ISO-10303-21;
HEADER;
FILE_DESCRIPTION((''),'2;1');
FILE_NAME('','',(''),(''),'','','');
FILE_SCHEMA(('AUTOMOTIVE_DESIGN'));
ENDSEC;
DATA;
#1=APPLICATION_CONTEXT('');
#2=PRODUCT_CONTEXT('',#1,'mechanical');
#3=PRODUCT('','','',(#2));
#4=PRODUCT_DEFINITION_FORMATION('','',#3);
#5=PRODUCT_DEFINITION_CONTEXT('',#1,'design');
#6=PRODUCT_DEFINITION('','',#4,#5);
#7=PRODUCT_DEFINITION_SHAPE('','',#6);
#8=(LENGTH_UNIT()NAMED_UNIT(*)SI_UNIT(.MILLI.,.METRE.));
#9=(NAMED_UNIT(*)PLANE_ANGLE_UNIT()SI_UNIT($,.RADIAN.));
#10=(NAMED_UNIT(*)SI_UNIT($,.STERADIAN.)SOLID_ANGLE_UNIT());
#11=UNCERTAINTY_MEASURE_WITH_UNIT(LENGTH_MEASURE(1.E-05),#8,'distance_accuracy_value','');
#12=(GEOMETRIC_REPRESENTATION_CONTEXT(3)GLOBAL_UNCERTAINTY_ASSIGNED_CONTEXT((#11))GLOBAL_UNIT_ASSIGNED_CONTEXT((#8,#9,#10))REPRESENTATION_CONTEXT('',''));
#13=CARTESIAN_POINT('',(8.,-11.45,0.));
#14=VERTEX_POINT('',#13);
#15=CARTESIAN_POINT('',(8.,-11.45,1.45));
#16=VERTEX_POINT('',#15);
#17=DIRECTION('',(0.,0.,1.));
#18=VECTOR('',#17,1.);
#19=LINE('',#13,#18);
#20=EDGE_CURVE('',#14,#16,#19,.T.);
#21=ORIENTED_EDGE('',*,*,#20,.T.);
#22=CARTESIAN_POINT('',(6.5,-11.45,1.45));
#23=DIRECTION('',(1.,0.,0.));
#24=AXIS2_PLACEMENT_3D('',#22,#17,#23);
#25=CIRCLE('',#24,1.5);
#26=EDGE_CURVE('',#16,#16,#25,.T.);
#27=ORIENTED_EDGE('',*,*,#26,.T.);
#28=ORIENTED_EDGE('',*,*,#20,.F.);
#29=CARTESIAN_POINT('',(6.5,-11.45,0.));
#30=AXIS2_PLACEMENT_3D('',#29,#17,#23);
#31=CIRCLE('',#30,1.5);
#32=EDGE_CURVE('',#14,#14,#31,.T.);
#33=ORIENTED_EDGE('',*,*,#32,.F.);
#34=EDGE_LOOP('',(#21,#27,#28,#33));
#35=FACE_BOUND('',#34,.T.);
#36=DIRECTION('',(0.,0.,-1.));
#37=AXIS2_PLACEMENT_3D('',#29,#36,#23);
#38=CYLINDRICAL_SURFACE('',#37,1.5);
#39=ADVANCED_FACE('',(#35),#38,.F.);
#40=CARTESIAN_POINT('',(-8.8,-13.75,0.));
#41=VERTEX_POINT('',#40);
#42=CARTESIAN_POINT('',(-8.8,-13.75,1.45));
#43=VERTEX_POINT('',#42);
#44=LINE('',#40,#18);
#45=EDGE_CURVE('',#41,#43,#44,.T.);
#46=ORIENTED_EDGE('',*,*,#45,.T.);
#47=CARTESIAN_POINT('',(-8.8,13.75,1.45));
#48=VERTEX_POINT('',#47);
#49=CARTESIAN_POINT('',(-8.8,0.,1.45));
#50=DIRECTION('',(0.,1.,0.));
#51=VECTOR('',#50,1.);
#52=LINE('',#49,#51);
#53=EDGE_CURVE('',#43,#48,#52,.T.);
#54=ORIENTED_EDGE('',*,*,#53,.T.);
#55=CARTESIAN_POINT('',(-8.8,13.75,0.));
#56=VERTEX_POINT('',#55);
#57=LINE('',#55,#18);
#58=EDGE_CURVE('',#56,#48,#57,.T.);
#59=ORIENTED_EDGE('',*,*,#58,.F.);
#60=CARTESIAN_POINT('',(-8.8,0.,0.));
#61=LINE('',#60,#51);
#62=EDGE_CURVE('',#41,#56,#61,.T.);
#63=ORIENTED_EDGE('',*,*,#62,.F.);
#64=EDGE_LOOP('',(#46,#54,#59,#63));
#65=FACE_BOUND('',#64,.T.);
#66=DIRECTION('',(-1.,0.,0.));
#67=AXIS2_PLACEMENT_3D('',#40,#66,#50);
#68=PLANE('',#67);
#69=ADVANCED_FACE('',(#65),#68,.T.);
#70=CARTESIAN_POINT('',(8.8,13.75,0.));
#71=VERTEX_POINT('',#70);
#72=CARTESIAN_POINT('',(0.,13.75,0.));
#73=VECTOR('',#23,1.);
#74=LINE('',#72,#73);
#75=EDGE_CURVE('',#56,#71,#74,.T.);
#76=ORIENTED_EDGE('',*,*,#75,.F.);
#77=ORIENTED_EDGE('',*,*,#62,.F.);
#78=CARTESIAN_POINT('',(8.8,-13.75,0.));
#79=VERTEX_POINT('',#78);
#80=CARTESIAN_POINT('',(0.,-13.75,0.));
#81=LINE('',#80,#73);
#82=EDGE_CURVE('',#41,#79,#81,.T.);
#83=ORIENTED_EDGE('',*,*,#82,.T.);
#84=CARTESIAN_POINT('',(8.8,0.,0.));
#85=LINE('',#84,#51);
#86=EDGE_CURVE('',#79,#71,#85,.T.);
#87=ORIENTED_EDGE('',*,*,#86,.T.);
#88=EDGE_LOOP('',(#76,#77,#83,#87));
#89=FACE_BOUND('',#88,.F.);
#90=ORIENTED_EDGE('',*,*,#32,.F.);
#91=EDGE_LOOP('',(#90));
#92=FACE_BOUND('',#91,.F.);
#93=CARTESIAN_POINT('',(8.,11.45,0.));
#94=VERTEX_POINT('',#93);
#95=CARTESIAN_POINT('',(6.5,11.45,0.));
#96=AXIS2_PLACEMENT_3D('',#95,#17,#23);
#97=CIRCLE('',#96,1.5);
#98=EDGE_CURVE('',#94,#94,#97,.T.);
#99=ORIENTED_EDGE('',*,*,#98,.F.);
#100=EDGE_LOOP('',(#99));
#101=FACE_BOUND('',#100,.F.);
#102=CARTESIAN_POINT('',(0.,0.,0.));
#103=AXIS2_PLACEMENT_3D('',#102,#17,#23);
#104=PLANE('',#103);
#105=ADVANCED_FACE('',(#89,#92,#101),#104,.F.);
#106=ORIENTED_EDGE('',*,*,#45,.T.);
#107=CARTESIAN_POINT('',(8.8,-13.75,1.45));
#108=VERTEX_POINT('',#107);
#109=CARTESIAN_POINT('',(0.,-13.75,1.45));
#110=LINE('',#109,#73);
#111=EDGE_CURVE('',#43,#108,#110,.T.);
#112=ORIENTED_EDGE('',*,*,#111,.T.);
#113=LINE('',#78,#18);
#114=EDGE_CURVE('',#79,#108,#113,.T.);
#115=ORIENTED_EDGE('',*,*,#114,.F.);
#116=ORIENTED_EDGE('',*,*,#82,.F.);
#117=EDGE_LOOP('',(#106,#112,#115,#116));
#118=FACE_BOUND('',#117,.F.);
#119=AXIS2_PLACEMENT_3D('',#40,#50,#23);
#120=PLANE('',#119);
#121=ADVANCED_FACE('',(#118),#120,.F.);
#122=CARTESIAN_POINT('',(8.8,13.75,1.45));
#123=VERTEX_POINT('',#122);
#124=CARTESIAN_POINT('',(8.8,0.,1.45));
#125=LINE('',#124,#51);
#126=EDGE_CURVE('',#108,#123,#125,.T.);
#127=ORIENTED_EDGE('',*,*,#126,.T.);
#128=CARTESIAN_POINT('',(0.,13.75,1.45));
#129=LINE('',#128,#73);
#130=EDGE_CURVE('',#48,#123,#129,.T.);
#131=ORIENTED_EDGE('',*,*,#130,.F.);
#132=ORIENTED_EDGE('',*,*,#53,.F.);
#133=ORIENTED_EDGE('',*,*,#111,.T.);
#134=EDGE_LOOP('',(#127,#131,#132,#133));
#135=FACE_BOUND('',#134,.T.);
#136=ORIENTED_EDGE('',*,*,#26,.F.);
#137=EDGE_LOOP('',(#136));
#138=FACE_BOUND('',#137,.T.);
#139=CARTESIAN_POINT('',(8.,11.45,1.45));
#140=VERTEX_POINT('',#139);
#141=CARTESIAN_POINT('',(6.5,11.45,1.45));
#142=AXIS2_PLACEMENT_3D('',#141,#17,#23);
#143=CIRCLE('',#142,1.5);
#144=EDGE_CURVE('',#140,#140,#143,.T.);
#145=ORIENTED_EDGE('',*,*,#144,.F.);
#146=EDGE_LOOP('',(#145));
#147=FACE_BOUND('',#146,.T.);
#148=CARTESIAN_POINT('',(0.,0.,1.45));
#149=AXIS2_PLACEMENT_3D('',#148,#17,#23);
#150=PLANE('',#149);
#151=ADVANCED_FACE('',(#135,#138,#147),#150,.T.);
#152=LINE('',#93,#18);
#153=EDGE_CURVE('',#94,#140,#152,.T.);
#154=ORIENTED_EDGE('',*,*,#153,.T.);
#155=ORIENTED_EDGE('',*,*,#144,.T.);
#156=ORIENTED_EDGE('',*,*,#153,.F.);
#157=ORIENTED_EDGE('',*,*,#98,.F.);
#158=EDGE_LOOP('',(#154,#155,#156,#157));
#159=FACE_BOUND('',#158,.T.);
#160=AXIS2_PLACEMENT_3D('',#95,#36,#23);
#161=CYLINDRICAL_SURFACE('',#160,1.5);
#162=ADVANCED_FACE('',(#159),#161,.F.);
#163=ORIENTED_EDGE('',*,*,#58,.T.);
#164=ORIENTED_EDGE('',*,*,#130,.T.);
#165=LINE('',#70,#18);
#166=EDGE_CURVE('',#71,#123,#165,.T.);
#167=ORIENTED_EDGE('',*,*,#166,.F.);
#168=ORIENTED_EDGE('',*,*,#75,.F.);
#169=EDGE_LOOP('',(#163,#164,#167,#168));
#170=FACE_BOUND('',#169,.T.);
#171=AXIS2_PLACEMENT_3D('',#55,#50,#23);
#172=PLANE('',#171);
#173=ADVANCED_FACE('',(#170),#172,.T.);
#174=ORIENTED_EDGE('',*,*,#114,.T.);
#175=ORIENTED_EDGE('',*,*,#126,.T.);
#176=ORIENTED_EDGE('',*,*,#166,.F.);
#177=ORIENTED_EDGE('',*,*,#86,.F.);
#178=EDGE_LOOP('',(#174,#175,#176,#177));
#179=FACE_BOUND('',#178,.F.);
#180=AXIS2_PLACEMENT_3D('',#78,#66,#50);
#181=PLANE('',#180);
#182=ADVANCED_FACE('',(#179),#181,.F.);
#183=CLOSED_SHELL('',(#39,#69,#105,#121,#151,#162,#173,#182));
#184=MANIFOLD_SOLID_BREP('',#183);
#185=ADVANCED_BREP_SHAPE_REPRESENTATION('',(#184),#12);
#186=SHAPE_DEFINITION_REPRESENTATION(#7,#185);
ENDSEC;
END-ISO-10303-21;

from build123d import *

# Parameters (mm, degrees)
SKETCH_W  = 17.6
SKETCH_H  = 27.5
SKETCH_R  = 1.5
PAD_DEPTH = 1.45


with BuildPart() as part:
    # Sketch → Pad (new body)
    with BuildSketch(Plane.XY):
        Rectangle(SKETCH_W, SKETCH_H)
        with Locations((6.5, 11.45)):
            Circle(SKETCH_R, mode=Mode.SUBTRACT)
        with Locations((6.5, -11.45)):
            Circle(SKETCH_R, mode=Mode.SUBTRACT)
    extrude(amount=PAD_DEPTH)


solid = part.part
